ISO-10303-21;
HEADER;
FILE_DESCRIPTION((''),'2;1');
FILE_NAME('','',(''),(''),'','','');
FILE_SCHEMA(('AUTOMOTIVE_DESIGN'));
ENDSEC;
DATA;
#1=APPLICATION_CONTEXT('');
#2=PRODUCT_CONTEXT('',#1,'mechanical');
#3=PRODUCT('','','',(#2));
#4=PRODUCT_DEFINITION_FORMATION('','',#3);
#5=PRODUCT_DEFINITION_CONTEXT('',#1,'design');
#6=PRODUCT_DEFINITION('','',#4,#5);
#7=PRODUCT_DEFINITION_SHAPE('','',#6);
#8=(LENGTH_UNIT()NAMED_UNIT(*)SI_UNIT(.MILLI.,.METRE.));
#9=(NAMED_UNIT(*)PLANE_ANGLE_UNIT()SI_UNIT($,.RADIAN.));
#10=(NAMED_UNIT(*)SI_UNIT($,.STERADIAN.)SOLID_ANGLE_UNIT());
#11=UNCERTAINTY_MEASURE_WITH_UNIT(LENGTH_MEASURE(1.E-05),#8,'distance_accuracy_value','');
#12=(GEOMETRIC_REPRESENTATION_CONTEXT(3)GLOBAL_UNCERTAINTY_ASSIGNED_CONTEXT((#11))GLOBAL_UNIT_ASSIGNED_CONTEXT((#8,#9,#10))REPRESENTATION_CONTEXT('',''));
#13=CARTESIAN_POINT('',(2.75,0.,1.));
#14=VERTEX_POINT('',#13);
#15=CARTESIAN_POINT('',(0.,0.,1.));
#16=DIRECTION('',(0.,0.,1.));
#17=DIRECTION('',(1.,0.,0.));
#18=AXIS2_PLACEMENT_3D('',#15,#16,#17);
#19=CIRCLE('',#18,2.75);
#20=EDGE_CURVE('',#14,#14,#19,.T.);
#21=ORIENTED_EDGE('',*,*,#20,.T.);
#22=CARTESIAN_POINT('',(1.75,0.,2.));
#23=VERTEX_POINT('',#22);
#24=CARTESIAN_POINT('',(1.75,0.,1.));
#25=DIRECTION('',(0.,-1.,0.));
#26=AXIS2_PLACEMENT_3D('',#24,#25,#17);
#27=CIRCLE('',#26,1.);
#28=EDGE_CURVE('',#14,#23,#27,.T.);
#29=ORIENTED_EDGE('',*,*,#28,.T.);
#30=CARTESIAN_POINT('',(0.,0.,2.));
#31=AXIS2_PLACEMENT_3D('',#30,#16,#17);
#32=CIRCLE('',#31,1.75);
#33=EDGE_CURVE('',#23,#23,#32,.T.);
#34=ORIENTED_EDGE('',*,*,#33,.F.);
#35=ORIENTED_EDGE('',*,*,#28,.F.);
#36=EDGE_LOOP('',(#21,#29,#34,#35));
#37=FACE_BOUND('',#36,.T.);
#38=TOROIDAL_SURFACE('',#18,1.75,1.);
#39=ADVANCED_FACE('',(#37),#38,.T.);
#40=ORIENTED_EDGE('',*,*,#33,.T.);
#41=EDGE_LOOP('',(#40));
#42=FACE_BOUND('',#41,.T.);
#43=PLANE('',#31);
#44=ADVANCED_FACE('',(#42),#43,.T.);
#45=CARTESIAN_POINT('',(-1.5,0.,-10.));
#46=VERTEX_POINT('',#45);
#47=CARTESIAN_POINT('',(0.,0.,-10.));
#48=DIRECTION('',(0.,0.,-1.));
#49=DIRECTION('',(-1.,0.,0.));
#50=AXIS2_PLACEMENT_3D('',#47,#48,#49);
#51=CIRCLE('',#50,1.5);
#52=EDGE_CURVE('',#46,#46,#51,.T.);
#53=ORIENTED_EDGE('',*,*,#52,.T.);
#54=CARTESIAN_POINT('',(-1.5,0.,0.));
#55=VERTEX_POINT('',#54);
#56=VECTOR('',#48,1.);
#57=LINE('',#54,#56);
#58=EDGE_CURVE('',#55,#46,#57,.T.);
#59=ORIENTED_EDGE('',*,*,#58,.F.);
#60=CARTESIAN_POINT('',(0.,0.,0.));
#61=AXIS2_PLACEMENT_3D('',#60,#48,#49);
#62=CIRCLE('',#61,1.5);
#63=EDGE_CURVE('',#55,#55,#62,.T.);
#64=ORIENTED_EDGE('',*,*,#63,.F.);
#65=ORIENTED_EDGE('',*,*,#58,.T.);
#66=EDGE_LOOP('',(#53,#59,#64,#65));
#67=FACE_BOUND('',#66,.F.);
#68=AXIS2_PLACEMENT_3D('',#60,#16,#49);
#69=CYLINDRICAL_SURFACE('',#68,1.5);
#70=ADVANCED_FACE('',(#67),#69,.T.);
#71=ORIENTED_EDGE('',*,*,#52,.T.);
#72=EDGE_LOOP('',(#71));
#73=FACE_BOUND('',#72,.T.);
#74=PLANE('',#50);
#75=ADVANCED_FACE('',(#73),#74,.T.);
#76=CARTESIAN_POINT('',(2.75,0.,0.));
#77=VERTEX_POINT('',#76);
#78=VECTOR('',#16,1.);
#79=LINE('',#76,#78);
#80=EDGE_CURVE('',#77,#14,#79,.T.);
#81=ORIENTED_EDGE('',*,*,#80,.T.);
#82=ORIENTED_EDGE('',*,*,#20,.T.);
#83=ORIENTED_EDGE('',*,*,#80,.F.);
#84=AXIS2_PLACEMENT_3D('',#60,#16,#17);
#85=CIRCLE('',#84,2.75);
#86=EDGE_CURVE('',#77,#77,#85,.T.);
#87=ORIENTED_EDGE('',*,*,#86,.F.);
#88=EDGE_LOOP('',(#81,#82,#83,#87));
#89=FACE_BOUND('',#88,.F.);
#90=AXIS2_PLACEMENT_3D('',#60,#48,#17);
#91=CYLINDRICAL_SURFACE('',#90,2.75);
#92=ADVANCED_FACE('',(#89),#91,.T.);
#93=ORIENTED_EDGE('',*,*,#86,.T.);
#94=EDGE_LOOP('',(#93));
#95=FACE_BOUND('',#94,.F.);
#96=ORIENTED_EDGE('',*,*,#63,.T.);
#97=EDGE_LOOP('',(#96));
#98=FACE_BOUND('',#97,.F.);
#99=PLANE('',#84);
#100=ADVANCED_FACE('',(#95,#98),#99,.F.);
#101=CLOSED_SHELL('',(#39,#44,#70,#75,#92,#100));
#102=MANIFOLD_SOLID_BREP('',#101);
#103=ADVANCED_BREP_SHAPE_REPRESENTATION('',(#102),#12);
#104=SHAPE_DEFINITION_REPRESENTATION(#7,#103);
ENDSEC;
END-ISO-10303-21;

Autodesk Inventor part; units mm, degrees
ref_plane "YZ Plane" through (0, 0, 0) normal (1, 0, 0) x (0, 1, 0)
ref_plane "XZ Plane" through (0, 0, 0) normal (0, 1, 0) x (-1, 0, 0)
ref_plane "XY Plane" through (0, 0, 0) normal (0, 0, 1) x (1, 0, 0)
sketch "スケッチ1" plane through (0, 0, 0) normal (0, 0, 1) x (1, 0, 0)
  circle A0 centre (0, 0) radius 2.75
  dimension "d0" = 5.5
extrude "押し出し1" add sketch "スケッチ1" along normal blind 2
fillet "フィレット1" radius 1 1 edges at (-2.75, 0, 2)
sketch "スケッチ2" plane through (0, 0, 0) normal (0, 0, -1) x (-1, 0, 0)
  circle A0 centre (0, 0) radius 1.5
  dimension "d4" = 3
extrude "押し出し2" add sketch "スケッチ2" along normal blind 10
thread "ねじ1" size "M3x0.5" class "6g" standard "ANSI Metric M Profile" full length
properties part number "Screw_10mm" material "真鍮"
